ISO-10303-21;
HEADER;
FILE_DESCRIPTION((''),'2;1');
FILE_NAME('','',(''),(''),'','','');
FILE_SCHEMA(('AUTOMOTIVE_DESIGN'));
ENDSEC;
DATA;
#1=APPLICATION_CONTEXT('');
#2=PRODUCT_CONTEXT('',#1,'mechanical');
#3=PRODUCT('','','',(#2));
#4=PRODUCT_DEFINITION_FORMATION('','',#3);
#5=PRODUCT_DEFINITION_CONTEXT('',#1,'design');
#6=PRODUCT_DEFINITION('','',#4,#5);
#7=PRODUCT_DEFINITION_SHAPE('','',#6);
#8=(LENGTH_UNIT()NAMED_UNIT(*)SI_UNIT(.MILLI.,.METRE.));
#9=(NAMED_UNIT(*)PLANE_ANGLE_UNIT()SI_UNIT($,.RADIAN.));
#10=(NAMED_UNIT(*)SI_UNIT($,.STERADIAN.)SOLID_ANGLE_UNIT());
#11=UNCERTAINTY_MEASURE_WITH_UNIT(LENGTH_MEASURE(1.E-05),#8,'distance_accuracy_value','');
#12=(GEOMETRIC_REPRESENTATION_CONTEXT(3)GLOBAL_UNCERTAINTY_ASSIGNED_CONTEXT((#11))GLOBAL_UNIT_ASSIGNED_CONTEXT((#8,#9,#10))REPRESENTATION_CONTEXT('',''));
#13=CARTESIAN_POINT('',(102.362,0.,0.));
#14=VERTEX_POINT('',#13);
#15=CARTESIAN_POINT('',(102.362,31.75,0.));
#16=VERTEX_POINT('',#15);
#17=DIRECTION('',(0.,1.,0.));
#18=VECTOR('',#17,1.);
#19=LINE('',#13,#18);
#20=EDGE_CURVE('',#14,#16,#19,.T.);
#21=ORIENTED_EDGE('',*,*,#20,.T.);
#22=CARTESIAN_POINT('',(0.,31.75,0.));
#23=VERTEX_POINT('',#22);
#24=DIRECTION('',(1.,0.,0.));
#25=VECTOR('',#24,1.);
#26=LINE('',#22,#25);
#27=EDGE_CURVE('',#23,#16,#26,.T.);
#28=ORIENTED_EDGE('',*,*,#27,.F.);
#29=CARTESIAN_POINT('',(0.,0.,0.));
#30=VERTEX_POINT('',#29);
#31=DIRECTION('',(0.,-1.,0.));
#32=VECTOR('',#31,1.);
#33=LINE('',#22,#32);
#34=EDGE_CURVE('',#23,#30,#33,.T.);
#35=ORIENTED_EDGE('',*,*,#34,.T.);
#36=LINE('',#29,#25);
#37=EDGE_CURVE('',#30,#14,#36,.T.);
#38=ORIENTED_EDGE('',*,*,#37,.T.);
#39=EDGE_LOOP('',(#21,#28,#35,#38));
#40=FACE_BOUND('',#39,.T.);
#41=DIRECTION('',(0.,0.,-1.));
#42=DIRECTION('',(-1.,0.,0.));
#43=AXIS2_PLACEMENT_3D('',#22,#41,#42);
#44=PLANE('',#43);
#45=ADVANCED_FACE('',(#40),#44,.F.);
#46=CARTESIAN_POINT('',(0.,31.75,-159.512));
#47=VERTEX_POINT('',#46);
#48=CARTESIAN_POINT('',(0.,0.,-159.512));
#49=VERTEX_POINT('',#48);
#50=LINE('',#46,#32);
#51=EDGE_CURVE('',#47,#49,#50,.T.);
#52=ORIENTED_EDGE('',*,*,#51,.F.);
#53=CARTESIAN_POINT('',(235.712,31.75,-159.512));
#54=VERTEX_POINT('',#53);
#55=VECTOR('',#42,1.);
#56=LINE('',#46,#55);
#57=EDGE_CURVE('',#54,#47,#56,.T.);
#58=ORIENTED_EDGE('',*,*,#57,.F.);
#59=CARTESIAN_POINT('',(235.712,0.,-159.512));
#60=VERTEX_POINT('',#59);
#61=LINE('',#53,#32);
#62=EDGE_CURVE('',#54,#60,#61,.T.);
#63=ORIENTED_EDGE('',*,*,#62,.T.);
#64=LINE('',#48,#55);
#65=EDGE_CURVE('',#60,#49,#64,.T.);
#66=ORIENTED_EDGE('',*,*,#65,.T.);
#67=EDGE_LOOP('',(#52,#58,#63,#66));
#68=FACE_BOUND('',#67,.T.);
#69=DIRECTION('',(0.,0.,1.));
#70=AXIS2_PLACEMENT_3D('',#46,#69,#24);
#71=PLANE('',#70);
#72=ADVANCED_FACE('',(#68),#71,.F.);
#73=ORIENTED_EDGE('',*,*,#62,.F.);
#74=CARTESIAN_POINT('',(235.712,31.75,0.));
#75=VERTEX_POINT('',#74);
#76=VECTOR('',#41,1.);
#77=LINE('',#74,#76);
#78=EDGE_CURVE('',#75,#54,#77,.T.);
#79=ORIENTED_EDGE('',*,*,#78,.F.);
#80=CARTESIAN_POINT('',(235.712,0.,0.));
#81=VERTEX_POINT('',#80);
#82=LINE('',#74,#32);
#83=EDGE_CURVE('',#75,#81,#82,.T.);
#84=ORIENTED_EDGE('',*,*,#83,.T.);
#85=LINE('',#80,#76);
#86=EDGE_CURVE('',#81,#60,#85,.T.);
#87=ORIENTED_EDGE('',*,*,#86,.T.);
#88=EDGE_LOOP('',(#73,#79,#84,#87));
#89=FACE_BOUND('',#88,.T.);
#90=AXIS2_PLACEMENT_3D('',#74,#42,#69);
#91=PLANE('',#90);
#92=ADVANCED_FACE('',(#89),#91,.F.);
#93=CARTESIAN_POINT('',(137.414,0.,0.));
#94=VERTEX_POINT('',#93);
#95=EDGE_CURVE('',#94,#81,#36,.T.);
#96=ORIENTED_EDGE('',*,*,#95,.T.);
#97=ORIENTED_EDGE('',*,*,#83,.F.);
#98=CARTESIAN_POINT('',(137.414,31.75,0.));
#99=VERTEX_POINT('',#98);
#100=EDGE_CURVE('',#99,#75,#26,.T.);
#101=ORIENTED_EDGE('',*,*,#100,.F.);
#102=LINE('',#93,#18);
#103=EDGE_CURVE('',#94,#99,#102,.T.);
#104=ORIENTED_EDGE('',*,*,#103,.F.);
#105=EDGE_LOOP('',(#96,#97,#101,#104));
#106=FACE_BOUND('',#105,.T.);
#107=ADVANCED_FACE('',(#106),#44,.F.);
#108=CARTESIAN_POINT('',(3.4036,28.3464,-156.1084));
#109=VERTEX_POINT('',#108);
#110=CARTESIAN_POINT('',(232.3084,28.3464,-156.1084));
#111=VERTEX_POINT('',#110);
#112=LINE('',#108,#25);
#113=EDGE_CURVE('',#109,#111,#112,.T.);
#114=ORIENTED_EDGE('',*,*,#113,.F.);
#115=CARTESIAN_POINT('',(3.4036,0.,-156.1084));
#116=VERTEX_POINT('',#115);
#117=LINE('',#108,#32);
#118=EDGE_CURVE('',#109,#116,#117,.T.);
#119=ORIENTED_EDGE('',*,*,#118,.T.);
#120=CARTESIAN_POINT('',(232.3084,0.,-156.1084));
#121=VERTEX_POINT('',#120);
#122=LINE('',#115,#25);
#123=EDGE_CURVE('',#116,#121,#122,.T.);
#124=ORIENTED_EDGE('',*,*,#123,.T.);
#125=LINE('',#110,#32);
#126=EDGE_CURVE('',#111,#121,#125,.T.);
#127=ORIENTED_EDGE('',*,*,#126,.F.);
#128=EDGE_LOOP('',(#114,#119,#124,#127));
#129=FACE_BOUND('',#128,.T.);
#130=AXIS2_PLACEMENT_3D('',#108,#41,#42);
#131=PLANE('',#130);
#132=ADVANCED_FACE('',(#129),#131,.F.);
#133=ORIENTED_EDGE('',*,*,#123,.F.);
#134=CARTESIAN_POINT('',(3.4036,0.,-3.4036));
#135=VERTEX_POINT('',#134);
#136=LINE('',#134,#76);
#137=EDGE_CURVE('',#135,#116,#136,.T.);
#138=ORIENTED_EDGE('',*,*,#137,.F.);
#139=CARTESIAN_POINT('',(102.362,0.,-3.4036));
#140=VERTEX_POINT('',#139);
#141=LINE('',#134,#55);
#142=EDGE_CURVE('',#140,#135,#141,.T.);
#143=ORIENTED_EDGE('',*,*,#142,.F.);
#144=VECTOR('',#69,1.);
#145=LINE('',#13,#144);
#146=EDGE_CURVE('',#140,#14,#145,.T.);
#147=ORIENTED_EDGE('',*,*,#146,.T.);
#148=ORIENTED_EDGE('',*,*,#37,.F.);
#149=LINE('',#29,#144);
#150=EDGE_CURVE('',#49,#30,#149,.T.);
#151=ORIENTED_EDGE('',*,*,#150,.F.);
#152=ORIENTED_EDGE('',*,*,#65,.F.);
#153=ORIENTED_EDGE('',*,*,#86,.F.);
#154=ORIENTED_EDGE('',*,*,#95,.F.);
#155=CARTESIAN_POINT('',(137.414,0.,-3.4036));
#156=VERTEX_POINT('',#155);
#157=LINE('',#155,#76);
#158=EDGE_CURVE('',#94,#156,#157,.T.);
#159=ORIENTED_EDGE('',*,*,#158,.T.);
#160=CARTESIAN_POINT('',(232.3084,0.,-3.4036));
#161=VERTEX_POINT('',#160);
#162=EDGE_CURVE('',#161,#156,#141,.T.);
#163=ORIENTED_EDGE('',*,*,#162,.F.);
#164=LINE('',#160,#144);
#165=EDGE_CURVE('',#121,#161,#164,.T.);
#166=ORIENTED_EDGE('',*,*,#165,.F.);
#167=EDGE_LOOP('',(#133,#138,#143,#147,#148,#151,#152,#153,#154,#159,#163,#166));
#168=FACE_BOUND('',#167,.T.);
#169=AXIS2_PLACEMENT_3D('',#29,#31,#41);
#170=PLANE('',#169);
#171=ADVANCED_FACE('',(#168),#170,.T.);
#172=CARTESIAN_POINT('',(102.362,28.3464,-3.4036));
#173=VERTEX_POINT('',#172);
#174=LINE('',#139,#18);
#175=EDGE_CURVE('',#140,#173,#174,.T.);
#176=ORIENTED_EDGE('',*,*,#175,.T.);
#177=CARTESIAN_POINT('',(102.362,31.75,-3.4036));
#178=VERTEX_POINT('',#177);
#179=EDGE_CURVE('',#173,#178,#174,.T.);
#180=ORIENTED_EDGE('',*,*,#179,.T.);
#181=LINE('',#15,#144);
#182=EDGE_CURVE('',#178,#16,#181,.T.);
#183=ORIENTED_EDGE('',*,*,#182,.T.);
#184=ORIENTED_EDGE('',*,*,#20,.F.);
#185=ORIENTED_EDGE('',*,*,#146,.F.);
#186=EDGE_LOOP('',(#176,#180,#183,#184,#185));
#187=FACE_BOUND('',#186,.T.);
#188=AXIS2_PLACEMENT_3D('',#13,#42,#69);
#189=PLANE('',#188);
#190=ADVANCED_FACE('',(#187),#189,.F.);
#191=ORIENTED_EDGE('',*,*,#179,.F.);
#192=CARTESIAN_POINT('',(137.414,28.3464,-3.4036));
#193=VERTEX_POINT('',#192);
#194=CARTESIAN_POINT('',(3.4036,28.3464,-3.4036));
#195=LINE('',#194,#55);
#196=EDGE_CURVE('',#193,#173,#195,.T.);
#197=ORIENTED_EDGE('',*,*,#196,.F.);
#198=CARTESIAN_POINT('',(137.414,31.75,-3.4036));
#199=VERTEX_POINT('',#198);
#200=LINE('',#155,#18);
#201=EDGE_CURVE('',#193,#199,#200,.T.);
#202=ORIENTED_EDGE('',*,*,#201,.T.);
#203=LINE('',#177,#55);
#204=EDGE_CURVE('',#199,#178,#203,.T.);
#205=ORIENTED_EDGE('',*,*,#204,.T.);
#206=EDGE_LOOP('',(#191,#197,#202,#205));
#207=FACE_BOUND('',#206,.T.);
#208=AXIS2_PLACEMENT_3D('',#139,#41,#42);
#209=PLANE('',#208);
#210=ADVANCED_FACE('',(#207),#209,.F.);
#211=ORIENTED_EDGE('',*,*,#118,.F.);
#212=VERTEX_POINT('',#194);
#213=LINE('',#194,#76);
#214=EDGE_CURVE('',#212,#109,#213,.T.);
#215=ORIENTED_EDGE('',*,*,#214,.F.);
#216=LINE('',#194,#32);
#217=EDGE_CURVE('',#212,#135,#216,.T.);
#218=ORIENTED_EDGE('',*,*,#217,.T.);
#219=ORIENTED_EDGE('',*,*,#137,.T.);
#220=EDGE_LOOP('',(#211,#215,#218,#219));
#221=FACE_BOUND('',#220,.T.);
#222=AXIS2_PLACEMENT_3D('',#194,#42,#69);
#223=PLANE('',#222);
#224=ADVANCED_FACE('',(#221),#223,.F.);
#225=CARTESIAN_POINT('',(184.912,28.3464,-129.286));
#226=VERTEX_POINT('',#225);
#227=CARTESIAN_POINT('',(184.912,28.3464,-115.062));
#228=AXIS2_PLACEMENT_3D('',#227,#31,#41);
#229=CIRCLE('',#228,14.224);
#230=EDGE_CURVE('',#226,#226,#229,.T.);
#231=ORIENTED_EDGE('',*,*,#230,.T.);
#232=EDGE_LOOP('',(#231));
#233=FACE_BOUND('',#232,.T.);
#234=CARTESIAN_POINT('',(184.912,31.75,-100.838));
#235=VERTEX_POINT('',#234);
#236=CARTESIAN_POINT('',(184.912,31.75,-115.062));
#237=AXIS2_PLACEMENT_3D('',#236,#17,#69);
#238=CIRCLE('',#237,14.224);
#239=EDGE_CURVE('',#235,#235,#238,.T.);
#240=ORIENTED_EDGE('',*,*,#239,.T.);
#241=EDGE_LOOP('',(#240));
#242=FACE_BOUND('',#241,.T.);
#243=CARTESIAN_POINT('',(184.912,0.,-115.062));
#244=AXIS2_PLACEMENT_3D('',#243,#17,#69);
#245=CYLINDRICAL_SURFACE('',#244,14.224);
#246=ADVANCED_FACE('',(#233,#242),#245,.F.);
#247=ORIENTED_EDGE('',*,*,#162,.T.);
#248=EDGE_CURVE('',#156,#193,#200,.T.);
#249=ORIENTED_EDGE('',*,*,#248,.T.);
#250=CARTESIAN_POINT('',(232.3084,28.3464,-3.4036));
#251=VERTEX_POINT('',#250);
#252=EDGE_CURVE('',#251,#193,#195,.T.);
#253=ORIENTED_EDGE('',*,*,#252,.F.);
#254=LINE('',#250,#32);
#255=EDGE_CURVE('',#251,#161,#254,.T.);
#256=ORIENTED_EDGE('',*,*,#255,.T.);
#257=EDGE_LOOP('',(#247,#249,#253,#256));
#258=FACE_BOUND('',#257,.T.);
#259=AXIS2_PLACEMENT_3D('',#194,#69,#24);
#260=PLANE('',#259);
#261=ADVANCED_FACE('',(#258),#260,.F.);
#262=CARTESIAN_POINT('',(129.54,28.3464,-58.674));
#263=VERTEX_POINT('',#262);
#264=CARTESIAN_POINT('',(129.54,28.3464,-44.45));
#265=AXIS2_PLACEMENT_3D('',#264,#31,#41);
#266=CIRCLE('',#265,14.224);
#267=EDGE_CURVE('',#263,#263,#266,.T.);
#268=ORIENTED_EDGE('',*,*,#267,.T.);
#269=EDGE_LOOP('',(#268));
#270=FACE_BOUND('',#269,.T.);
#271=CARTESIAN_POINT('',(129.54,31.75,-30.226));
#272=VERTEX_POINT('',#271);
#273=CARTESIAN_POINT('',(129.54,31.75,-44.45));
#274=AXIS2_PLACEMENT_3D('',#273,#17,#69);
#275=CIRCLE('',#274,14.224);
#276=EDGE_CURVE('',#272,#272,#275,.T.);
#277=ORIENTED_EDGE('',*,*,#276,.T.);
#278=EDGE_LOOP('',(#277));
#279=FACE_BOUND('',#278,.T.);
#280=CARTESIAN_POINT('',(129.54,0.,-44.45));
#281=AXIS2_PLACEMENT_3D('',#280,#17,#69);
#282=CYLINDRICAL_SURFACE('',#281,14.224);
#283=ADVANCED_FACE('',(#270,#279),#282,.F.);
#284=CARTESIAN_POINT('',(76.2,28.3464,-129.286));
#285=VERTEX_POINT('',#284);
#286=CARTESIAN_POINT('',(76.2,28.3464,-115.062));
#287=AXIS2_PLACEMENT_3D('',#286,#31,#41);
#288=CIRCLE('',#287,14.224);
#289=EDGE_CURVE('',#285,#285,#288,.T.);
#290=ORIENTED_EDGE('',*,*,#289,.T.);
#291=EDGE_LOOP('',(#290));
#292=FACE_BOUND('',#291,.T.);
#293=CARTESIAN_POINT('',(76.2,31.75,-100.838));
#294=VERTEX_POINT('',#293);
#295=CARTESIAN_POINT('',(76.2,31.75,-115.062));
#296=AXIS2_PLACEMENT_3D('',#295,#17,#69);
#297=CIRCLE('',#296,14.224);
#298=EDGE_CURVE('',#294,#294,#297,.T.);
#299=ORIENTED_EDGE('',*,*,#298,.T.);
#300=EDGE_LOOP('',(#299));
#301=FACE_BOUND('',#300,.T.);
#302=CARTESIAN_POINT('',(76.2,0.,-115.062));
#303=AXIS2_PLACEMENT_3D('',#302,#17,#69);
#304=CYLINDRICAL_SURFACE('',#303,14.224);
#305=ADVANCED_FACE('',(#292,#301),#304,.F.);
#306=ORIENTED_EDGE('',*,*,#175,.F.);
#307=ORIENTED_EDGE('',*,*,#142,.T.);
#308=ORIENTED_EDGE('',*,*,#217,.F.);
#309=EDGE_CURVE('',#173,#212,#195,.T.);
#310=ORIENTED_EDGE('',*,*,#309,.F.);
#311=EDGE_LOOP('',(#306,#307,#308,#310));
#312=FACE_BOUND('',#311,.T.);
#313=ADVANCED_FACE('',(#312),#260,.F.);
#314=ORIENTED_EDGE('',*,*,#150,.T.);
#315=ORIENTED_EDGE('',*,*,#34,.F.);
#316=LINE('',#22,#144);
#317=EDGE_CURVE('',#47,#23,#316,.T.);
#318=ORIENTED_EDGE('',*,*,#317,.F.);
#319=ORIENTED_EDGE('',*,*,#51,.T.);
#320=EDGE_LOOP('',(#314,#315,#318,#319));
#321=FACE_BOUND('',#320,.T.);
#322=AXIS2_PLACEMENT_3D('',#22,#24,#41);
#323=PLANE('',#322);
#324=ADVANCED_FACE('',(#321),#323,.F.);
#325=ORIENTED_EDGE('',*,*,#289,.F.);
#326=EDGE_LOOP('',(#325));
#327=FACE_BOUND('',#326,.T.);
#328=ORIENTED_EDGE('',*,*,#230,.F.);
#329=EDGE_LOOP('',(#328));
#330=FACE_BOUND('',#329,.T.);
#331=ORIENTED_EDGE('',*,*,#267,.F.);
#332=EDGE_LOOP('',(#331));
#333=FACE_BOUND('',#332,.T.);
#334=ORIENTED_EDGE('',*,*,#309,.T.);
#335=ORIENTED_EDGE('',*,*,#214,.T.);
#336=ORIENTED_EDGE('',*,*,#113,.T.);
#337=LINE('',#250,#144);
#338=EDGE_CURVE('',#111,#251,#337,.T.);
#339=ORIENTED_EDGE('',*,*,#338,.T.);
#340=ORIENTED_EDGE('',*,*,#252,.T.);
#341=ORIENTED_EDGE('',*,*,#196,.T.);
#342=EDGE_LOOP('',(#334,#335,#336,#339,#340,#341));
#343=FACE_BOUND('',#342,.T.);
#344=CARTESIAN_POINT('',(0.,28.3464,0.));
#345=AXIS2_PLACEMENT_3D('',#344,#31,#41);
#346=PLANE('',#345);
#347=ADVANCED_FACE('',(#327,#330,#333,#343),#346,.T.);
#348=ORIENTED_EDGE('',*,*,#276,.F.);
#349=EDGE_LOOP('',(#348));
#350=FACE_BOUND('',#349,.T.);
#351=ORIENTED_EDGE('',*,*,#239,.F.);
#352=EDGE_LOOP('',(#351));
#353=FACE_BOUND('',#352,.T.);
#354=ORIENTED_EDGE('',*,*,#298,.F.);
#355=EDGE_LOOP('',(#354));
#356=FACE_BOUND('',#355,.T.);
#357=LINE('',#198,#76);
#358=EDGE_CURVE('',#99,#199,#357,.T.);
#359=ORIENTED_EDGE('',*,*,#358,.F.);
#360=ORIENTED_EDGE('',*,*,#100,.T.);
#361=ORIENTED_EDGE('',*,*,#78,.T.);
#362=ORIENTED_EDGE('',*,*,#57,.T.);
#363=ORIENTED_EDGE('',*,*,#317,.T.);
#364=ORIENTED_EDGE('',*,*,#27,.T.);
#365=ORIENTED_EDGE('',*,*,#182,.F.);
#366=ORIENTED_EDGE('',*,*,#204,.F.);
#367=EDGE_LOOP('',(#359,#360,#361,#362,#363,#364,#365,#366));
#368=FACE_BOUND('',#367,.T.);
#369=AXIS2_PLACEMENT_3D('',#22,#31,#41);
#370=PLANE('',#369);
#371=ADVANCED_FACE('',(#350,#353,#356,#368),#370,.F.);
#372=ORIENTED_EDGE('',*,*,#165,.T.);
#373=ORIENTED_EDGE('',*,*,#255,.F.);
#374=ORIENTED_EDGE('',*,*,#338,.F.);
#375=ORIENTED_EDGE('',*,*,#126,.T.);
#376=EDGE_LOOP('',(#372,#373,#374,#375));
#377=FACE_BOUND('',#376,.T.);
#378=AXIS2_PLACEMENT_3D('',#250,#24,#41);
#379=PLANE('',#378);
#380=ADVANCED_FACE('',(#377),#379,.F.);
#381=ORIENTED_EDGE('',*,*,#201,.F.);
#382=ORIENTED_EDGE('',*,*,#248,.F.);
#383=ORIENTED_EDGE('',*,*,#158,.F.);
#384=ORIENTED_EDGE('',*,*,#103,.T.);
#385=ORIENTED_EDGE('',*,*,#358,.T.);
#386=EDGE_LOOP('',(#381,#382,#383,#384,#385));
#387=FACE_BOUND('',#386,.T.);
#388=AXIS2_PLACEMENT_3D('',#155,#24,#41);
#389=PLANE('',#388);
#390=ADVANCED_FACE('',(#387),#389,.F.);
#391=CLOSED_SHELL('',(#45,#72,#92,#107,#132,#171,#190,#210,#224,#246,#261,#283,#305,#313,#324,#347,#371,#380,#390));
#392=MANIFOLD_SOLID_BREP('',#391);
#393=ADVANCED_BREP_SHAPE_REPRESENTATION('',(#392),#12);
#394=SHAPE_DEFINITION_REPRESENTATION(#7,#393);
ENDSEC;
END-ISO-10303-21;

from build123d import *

# Parameters (mm, degrees)
SKETCH1_W           = 235.712
SKETCH1_H           = 159.512
BOSS_EXTRUDE1_DEPTH = 31.75
SKETCH2_W           = 228.9048
SKETCH2_H           = 152.7048
CUT_EXTRUDE1_DEPTH  = 28.3464
SKETCH3_W           = 35.052
SKETCH3_H           = 3.4036
CUT_EXTRUDE2_DEPTH  = 287.377875521
SKETCH4_R           = 14.224
CUT_EXTRUDE3_DEPTH  = 287.377875521


with BuildPart() as part:
    # Sketch1 → Boss-Extrude1 (new body)
    with BuildSketch(Plane(origin=(0, 0, 0), x_dir=(1, 0, 0), z_dir=(0, 1, 0))):
        with Locations((117.856, 79.756)):
            Rectangle(SKETCH1_W, SKETCH1_H)
    extrude(amount=BOSS_EXTRUDE1_DEPTH)

    # Sketch2 → Cut-Extrude1 (cut)
    with BuildSketch(Plane.XZ):
        with Locations((117.856, -79.756)):
            Rectangle(SKETCH2_W, SKETCH2_H)
    extrude(amount=-CUT_EXTRUDE1_DEPTH, mode=Mode.SUBTRACT)

    # Sketch3 → Cut-Extrude2 (cut, through all)
    with BuildSketch(Plane(origin=(0, 31.75, 0), x_dir=(1, 0, 0), z_dir=(0, 1, 0))):
        with Locations((119.888, 1.7018)):
            Rectangle(SKETCH3_W, SKETCH3_H)
    extrude(amount=-CUT_EXTRUDE2_DEPTH, mode=Mode.SUBTRACT)

    # Sketch4 → Cut-Extrude3 (cut, through all)
    with BuildSketch(Plane(origin=(0, 31.75, 0), x_dir=(1, 0, 0), z_dir=(0, 1, 0))):
        with Locations(Location((76.2, 115.062, 0), (0, 0, 270))):
            Circle(SKETCH4_R)
        with Locations(Location((129.54, 44.45, 0), (0, 0, 270))):
            Circle(SKETCH4_R)
        with Locations(Location((184.912, 115.062, 0), (0, 0, 270))):
            Circle(SKETCH4_R)
    extrude(amount=-CUT_EXTRUDE3_DEPTH, mode=Mode.SUBTRACT)


solid = part.part
